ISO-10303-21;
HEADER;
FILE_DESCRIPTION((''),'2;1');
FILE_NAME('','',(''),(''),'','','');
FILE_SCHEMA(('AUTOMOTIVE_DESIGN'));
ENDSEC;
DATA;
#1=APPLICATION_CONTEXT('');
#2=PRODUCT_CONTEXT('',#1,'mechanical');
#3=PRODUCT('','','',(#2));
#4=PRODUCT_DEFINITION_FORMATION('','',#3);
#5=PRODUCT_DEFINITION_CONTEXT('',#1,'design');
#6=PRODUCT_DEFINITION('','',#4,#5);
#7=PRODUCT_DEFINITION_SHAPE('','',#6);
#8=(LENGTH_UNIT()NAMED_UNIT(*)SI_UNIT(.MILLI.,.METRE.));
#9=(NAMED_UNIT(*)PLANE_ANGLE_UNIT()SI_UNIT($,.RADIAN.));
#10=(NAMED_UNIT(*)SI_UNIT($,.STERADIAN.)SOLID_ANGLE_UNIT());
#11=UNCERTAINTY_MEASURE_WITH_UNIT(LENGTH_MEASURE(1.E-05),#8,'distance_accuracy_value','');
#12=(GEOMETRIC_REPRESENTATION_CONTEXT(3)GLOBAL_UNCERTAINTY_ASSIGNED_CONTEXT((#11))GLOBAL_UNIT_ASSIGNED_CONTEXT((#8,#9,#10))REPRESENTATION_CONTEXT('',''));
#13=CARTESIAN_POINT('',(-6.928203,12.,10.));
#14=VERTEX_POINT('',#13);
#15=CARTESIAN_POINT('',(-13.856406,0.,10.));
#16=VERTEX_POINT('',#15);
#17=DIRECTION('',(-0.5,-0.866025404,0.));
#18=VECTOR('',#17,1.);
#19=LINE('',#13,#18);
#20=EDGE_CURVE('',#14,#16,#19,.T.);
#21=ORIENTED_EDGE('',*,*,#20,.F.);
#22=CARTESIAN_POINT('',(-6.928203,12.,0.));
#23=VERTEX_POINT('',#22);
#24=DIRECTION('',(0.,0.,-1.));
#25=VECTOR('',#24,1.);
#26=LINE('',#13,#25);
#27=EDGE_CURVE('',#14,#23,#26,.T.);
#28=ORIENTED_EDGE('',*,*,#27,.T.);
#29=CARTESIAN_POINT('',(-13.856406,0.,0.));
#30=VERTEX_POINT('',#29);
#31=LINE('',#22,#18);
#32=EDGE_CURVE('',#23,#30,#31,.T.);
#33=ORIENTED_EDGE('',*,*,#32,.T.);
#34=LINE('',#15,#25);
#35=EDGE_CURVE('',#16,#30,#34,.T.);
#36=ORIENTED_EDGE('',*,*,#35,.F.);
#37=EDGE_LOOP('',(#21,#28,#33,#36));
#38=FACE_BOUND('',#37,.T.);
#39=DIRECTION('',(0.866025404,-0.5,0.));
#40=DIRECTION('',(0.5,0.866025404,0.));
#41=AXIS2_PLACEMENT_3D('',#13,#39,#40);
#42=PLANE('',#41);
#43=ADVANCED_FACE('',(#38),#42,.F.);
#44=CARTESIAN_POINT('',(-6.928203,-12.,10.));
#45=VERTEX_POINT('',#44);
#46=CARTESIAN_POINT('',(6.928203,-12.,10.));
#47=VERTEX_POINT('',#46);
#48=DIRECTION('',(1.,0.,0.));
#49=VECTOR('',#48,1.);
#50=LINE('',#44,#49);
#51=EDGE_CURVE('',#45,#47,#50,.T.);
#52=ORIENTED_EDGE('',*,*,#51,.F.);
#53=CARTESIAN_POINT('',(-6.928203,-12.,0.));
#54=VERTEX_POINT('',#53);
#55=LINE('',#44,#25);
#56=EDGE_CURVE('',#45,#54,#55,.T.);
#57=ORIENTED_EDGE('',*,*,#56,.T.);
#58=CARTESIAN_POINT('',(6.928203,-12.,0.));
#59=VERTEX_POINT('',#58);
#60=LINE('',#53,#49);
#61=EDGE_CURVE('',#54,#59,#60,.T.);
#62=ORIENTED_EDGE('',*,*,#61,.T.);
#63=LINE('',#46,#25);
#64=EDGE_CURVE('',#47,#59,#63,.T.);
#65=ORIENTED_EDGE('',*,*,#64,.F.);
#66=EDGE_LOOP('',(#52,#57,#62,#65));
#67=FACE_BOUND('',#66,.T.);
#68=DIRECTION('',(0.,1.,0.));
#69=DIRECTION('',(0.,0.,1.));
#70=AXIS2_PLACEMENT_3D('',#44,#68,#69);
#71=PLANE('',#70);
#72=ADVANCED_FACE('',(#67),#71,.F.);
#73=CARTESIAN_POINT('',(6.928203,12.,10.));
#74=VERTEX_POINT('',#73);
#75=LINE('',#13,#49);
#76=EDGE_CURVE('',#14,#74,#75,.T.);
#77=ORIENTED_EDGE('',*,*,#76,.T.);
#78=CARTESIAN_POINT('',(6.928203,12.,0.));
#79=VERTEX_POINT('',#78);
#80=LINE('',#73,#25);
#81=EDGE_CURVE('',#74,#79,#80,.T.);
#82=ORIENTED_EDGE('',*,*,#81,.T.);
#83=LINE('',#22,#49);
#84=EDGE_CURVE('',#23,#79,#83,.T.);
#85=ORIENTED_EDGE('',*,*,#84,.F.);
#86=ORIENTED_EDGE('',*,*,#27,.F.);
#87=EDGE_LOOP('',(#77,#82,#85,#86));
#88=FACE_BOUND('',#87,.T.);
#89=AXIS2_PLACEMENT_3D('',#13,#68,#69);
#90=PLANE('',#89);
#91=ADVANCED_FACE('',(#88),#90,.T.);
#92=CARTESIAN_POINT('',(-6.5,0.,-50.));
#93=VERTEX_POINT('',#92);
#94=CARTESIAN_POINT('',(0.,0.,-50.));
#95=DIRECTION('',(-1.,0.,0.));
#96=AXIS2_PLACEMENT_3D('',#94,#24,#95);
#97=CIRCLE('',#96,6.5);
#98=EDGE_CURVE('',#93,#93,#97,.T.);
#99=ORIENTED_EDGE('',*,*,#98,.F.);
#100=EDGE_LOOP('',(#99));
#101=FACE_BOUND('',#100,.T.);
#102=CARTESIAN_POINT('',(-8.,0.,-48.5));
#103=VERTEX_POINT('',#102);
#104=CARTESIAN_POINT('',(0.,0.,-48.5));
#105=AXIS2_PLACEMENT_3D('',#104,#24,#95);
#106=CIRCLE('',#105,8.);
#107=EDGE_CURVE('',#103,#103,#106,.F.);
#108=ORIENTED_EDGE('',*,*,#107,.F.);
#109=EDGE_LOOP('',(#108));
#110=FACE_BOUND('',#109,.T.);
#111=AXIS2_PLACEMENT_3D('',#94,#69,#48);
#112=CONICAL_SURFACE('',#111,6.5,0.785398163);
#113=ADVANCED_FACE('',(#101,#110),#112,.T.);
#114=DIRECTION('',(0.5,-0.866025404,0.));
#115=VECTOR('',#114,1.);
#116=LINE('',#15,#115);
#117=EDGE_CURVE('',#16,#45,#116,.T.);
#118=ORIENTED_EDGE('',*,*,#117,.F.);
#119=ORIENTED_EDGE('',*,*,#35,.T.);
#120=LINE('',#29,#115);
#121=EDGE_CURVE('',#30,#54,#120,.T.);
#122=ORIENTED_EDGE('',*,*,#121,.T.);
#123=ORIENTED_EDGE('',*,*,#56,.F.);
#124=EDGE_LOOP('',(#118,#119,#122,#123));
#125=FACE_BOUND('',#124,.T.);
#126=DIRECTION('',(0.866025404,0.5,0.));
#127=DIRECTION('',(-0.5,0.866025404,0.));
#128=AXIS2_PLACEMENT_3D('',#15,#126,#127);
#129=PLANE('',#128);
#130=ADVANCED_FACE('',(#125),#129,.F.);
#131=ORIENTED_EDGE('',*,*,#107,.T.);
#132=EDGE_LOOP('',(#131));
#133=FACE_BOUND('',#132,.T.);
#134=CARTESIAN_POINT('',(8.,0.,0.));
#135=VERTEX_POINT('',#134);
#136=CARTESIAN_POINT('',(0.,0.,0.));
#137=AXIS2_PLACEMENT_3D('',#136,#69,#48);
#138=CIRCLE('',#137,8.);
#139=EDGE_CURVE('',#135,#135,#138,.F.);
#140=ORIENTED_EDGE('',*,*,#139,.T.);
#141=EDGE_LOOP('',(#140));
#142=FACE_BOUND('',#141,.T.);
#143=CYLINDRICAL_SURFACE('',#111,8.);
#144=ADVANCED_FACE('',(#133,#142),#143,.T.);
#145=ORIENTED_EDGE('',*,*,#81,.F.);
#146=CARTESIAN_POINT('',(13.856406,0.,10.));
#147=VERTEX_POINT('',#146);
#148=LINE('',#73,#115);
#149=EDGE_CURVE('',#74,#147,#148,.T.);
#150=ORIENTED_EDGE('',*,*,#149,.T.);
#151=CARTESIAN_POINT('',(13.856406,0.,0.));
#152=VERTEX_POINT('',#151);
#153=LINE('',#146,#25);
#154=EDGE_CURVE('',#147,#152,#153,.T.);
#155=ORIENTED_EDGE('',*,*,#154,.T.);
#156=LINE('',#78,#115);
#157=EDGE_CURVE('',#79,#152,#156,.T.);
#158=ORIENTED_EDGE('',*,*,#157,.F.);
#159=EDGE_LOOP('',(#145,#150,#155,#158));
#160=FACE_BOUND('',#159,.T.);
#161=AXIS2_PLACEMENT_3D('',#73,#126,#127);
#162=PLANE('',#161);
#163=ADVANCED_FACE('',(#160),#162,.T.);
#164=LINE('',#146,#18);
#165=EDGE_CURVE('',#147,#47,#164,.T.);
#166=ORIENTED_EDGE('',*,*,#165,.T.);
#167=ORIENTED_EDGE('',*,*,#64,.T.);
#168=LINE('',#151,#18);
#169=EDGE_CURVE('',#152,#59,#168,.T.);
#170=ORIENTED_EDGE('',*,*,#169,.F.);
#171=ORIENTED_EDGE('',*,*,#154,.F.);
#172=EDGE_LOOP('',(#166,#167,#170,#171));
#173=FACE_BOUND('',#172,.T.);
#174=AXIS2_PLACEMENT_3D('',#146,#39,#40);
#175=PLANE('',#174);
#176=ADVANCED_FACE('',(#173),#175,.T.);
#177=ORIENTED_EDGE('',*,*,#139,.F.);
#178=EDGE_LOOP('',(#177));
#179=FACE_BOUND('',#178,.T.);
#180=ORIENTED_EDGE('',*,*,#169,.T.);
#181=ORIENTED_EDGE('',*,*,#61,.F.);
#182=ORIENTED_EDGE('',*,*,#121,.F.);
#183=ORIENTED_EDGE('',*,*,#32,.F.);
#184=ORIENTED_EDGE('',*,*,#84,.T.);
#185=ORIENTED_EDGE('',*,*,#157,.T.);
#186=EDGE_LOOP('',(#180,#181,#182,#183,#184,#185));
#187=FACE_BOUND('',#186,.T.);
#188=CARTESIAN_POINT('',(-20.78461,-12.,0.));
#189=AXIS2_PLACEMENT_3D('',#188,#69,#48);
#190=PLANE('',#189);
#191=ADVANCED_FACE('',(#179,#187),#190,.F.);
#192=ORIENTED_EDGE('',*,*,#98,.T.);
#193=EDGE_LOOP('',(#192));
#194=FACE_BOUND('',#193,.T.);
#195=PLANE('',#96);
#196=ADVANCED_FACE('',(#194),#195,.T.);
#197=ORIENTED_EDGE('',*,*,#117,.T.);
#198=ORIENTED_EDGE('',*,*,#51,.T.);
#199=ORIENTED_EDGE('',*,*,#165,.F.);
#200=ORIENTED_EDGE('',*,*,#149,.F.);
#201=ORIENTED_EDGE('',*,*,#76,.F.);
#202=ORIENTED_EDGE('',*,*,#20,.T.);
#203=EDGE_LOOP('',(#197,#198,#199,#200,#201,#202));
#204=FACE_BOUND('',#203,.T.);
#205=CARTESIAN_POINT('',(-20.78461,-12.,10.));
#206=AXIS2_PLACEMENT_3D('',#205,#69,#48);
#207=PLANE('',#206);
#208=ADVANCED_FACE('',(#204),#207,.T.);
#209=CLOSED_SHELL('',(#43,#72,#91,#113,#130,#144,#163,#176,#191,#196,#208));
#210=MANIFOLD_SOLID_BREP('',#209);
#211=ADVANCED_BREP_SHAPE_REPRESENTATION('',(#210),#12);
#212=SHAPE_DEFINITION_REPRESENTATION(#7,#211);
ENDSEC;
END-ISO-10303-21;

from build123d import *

# Parameters (mm, degrees)
BASE_EXTRUDE_DEPTH  = 10
SKETCH3_R           = 8
BOSS_EXTRUDE1_DEPTH = 50
CHAMFER1_SIZE       = 1.5


with BuildPart() as part:
    # Sketch1 → Base-Extrude (new body)
    with BuildSketch(Plane.XY):
        Polygon((-6.92820323, 12), (6.92820323, 12), (13.856406461, 0), (6.92820323, -12), (-6.92820323, -12), (-13.856406461, 0), align=None)
    extrude(amount=BASE_EXTRUDE_DEPTH)

    # Sketch3 → Boss-Extrude1 (add)
    with BuildSketch(Plane(origin=(0, 0, 0), x_dir=(-1, 0, 0), z_dir=(0, 0, -1))):
        with Locations(Location((0, 0, 0), (0, 0, 180))):
            Circle(SKETCH3_R)
    extrude(amount=BOSS_EXTRUDE1_DEPTH)

    # Chamfer1
    chamfer1_edges = [part.edges().sort_by_distance(p)[0] for p in [
        (-8, 0, -50),
    ]]
    chamfer(chamfer1_edges, length=CHAMFER1_SIZE)


solid = part.part
